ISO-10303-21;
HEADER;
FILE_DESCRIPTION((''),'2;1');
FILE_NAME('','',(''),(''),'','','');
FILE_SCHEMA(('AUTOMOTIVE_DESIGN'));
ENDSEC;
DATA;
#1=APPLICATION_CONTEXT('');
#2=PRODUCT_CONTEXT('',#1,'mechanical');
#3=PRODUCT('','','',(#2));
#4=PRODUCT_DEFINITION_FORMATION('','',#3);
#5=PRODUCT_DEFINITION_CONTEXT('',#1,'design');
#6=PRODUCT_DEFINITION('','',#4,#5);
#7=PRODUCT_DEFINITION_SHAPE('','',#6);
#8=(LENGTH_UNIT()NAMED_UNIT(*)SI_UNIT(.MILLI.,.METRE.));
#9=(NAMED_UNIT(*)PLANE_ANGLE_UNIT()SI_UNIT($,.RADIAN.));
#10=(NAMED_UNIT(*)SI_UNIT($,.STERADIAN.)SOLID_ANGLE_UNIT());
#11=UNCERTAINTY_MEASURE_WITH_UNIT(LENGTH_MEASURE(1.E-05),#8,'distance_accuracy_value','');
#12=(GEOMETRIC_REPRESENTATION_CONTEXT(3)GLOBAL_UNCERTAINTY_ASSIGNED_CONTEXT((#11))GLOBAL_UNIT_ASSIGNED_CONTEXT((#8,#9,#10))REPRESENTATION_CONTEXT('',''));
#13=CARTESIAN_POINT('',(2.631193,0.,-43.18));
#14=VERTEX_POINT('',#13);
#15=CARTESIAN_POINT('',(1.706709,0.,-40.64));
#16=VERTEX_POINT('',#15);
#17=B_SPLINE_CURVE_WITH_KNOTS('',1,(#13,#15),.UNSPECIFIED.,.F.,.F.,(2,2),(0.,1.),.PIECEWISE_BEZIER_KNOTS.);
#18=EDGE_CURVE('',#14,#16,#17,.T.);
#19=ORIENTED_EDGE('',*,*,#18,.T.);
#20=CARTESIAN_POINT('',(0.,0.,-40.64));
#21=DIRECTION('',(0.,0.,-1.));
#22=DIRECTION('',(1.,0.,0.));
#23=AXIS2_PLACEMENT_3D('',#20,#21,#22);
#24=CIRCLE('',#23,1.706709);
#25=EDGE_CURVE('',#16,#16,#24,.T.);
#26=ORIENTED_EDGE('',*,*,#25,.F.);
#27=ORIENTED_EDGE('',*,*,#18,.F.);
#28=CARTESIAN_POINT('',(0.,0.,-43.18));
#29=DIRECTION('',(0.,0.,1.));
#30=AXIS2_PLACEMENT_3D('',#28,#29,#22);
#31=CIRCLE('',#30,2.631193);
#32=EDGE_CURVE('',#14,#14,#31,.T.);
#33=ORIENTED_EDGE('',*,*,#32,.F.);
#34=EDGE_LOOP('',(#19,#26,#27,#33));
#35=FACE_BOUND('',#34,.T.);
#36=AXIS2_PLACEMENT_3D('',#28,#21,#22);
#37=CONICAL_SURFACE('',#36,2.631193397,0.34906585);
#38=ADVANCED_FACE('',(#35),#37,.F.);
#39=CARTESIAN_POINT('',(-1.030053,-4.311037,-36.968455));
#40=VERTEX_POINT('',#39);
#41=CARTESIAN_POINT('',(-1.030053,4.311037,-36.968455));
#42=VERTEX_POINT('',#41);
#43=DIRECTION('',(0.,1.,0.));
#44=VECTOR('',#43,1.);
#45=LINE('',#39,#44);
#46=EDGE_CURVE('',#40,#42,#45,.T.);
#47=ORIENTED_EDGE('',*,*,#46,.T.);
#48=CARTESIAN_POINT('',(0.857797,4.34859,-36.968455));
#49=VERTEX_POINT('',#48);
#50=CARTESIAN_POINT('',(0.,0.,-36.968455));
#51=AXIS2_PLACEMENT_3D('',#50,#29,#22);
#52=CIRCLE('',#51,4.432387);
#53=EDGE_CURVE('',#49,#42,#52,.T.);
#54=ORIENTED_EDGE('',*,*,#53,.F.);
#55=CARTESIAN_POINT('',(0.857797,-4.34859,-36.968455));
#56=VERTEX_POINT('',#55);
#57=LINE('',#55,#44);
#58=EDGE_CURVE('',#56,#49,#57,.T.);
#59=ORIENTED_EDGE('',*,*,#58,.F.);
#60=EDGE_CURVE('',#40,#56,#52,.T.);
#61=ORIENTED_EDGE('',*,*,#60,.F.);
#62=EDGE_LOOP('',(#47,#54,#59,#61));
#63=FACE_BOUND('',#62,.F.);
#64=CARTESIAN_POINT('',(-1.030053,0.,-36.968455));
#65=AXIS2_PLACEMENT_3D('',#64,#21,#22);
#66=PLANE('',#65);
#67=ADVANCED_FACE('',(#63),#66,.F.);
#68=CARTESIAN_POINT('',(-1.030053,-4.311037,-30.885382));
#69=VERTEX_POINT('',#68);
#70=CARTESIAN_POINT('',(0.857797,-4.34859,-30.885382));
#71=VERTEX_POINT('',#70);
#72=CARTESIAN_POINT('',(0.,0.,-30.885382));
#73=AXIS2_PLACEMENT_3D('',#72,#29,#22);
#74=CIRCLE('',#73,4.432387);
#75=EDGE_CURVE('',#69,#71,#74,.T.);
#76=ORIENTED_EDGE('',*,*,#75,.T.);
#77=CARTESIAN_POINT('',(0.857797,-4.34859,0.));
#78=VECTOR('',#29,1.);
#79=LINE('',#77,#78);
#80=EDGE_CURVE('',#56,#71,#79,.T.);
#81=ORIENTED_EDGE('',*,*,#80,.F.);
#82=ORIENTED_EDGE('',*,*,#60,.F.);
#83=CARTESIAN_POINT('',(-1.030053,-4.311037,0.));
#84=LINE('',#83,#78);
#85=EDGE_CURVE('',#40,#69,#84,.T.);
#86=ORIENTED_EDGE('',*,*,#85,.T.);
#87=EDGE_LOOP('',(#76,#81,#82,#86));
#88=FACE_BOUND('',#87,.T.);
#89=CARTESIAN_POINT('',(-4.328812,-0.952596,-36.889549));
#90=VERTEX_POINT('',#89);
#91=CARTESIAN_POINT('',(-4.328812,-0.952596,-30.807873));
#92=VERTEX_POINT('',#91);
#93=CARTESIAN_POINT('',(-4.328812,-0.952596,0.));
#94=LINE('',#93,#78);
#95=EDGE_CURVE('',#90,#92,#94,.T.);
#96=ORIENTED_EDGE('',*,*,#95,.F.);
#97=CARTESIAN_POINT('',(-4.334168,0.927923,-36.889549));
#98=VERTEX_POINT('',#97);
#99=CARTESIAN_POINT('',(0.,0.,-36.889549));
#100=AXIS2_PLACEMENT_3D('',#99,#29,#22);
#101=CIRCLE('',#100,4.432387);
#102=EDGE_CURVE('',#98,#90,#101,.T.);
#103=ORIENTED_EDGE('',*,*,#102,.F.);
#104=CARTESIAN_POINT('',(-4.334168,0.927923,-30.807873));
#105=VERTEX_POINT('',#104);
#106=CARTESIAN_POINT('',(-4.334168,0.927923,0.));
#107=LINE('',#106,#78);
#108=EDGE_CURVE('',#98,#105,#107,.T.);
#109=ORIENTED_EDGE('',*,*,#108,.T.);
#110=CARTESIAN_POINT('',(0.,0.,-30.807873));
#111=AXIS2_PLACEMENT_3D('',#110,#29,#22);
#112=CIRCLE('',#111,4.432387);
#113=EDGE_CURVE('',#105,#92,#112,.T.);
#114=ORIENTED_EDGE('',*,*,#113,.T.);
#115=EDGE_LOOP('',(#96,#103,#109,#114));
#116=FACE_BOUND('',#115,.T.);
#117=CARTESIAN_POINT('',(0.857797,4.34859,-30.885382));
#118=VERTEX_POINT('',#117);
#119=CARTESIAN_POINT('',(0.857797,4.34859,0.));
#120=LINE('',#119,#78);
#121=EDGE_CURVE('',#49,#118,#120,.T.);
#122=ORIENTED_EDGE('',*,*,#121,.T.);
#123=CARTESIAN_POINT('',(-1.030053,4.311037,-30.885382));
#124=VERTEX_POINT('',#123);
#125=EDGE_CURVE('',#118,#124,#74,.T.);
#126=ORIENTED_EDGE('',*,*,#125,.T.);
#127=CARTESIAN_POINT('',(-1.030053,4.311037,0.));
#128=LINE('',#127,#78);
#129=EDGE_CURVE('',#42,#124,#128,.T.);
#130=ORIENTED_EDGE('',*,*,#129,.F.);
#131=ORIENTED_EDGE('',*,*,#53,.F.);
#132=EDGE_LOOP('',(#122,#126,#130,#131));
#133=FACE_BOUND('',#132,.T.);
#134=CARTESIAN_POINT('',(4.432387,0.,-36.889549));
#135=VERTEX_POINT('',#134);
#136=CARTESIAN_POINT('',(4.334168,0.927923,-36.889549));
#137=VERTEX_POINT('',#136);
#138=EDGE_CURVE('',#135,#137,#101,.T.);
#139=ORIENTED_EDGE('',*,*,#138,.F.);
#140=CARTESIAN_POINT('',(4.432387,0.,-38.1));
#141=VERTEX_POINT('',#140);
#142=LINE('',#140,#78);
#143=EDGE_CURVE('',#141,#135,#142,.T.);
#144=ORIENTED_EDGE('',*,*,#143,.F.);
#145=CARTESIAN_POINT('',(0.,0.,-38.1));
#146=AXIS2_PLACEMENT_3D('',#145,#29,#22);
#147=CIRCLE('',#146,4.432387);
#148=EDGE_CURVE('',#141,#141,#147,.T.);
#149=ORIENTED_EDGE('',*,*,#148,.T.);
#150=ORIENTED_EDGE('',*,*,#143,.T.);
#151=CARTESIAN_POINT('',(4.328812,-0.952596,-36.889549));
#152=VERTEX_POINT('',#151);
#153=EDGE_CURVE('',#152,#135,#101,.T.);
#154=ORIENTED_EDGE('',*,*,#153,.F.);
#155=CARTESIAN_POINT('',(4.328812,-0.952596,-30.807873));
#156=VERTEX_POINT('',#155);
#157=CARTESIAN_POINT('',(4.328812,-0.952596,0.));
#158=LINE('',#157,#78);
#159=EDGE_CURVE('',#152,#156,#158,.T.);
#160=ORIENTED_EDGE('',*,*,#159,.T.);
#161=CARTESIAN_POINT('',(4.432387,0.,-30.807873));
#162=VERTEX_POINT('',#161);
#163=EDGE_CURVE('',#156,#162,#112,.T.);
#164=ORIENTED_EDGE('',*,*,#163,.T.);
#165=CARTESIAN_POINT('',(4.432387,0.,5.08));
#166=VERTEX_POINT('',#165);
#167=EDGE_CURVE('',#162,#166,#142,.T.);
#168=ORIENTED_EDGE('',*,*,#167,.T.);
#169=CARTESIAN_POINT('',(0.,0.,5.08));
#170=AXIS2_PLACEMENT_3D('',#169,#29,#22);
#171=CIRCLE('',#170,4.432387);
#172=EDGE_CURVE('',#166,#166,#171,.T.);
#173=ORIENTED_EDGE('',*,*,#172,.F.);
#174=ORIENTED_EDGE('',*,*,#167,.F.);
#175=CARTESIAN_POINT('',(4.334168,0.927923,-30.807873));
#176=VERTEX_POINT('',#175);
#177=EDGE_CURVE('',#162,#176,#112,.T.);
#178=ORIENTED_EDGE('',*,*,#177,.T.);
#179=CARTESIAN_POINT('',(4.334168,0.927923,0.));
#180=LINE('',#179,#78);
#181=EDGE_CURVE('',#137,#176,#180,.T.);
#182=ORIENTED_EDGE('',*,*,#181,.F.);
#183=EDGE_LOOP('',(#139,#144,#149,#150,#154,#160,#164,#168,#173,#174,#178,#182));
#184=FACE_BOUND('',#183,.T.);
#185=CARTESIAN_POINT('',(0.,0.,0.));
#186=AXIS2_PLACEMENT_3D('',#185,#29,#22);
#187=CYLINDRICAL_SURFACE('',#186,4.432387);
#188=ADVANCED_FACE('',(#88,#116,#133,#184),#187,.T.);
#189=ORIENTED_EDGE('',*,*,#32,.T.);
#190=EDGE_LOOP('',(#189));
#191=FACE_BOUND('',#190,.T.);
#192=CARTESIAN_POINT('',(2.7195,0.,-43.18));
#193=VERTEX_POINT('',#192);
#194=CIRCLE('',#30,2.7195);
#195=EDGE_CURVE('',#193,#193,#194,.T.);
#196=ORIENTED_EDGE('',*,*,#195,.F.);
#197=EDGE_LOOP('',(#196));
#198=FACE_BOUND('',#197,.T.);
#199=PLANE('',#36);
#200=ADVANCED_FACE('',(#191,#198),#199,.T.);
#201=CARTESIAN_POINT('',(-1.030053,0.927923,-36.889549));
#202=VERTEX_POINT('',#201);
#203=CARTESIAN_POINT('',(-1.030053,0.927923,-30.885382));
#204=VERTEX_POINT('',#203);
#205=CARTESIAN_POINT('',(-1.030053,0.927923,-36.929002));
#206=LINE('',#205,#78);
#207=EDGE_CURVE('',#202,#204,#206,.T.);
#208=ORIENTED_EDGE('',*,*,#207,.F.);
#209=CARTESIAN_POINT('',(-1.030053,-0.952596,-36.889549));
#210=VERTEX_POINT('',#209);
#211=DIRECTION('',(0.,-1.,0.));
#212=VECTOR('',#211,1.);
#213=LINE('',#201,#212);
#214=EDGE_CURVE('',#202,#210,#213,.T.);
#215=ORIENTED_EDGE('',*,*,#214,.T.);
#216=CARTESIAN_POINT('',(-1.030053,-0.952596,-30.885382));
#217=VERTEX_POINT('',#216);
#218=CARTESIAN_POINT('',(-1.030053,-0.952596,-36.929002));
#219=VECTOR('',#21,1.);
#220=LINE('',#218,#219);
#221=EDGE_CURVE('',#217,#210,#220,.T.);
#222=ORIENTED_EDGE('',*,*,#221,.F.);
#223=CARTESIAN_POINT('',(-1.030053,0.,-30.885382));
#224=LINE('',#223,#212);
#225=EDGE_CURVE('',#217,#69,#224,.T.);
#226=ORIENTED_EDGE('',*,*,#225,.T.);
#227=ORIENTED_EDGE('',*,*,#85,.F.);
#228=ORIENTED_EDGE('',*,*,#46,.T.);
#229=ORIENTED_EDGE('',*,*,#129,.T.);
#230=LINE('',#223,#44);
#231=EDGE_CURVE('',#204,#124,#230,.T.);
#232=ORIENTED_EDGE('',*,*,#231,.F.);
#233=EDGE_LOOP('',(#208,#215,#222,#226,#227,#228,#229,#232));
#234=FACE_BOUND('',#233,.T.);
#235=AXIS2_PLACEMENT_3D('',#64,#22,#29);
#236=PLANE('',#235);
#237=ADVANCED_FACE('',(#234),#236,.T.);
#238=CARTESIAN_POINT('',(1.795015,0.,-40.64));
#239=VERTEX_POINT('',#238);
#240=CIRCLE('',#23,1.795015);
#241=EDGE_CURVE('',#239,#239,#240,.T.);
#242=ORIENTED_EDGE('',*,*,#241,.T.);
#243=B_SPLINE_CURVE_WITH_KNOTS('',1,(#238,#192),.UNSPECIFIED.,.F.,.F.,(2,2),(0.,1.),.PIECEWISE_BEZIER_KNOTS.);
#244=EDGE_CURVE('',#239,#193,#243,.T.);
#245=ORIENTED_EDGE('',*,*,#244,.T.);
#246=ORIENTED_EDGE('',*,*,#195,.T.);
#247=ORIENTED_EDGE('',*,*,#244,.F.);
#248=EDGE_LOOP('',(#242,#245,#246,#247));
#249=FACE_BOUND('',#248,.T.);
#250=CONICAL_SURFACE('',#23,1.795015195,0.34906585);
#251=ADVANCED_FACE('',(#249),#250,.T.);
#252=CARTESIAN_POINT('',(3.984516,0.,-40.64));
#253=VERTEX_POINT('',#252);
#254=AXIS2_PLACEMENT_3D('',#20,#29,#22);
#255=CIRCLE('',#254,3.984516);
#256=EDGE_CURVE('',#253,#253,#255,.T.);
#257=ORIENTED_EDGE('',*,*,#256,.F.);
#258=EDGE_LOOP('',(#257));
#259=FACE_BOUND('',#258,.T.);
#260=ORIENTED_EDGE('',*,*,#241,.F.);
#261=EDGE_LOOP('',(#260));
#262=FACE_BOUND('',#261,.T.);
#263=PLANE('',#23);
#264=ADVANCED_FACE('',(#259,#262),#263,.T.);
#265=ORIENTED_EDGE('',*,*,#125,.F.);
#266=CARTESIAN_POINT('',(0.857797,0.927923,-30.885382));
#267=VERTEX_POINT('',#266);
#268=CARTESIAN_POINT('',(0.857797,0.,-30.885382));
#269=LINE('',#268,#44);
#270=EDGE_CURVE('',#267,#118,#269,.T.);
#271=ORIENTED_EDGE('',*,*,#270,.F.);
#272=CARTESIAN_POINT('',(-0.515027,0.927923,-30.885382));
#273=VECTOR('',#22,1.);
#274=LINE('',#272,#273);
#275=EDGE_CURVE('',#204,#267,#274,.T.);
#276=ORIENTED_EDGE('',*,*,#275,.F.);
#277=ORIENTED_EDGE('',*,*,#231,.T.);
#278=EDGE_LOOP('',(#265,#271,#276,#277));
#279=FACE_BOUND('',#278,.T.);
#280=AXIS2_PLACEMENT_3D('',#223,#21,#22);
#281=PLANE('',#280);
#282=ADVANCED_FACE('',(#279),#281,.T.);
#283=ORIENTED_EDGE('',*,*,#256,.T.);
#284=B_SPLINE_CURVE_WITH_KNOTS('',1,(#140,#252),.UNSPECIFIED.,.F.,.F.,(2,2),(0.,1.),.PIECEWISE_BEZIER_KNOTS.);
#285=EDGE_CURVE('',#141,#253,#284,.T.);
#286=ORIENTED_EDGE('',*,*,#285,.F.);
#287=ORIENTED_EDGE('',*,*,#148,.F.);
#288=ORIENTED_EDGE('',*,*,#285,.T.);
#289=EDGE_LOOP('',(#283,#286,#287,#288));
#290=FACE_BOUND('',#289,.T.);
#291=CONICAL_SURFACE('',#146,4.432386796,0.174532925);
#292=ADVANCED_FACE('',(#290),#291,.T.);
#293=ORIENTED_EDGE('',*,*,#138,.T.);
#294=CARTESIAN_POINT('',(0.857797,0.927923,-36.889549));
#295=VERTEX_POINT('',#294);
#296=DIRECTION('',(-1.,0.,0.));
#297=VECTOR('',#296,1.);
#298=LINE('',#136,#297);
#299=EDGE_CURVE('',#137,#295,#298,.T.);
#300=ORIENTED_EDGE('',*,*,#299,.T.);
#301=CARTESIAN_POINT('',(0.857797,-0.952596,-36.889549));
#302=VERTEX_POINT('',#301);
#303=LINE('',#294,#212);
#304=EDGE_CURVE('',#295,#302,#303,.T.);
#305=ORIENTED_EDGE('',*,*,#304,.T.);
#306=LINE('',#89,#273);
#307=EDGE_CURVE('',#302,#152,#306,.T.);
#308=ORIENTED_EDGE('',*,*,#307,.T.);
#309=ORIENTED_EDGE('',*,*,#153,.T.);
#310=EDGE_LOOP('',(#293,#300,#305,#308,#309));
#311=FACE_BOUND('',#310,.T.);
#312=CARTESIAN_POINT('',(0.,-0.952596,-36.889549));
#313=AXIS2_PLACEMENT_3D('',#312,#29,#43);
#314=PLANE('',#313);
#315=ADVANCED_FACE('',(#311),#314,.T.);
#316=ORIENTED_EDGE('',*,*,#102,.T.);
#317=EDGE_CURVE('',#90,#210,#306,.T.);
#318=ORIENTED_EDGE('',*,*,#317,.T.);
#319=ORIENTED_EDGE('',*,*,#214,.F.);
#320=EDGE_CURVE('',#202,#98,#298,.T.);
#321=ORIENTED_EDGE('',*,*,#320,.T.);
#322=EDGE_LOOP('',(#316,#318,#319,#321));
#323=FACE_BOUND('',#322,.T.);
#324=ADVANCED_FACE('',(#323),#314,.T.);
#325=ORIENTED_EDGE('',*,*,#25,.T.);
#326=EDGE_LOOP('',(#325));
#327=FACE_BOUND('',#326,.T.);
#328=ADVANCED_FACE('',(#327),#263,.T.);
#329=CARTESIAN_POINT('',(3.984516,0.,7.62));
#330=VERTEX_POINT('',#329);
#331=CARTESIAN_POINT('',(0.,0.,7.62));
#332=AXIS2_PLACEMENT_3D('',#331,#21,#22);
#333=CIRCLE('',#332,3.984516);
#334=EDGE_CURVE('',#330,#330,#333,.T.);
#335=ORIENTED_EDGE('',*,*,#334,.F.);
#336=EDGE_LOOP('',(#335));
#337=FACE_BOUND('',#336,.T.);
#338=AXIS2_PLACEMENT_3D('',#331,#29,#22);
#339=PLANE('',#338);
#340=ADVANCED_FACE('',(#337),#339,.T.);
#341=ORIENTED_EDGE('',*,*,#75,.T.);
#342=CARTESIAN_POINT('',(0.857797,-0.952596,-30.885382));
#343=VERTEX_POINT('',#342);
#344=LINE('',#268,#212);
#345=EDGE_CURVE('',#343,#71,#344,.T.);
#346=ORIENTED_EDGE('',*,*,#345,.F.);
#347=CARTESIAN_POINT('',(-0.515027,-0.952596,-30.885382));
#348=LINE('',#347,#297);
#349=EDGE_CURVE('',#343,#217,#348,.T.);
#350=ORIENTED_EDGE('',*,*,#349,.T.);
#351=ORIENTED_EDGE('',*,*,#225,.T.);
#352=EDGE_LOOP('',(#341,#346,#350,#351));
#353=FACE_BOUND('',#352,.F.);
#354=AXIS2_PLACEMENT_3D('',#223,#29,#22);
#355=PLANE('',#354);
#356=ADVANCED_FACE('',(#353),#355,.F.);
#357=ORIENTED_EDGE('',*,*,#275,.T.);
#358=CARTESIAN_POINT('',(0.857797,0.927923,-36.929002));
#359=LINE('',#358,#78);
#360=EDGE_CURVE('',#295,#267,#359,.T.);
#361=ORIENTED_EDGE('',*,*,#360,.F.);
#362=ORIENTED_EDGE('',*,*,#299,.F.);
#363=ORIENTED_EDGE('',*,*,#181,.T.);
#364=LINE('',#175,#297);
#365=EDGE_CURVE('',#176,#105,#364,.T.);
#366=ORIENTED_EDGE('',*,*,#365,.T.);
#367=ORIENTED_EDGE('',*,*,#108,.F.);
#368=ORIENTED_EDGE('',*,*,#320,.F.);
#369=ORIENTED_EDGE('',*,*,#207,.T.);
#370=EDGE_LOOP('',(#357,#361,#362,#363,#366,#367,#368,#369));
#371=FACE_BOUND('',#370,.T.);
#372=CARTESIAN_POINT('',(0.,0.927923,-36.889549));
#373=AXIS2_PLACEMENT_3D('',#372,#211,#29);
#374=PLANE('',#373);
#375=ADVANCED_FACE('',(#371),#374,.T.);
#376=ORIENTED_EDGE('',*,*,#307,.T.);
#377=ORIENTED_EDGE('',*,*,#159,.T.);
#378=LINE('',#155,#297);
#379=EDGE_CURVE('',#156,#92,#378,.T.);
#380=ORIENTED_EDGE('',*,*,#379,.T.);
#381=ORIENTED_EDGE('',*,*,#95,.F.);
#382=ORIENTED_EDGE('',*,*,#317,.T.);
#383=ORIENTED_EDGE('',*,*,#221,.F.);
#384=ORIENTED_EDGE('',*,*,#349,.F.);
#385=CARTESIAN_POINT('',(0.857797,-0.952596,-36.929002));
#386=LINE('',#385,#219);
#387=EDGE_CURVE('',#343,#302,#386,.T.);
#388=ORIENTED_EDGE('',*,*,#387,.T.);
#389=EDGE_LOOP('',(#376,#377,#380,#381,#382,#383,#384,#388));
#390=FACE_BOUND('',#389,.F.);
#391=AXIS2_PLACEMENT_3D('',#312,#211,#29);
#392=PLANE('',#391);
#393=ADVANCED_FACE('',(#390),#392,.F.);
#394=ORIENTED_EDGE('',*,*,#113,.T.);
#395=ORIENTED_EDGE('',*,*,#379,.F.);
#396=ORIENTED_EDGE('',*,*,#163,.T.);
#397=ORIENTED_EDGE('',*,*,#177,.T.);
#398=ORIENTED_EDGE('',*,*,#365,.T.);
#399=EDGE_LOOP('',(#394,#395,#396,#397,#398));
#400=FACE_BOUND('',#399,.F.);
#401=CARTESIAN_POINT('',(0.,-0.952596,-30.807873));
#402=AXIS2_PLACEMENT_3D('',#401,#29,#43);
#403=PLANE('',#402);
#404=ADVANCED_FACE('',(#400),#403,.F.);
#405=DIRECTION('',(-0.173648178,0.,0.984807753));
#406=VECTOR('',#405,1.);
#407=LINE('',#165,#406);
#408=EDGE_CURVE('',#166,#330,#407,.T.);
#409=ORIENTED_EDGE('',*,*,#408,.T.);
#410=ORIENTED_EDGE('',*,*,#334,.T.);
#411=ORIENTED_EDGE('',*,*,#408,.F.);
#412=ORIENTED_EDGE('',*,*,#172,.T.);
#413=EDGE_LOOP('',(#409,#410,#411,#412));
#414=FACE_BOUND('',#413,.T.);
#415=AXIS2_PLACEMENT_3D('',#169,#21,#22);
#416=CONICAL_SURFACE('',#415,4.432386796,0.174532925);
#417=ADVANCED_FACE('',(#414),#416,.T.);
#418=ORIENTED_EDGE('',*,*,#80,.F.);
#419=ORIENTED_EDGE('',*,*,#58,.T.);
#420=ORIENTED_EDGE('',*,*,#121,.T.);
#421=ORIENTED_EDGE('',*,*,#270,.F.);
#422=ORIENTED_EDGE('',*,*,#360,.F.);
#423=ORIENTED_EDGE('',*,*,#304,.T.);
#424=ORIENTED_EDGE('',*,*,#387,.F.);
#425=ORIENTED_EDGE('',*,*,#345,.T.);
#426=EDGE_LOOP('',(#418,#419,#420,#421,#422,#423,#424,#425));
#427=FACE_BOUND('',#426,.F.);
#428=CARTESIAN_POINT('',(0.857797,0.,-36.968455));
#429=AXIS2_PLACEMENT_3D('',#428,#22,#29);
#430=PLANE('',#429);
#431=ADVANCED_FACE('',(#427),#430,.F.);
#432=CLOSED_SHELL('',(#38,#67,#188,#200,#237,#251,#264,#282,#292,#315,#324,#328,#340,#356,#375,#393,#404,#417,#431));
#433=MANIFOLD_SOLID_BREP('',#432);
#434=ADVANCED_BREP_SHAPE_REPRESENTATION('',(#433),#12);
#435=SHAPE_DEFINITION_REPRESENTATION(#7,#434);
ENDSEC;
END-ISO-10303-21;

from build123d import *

# Parameters (mm, degrees)
F0_R           = 4.4323867957
F1_DEPTH       = 5.08
F1_DEPTH_BACK  = 38.1
F1_FACE_R      = 4.4323867957
F2_DEPTH       = 2.54
F2_TAPER       = 10
F1_FACE1_R     = 4.4323867957
F3_DEPTH       = 2.54
F3_TAPER       = 10
F4_R           = 1.7950151947
F5_DEPTH       = 2.54
F5_TAPER       = -20
F6_R           = 2.6311933972
F7_DEPTH       = 2.54
F7_TAPER       = 20
F8_W           = 1.8805181608
F8_H           = 6.0816761106
F9_DEPTH       = 25.4
F9_DEPTH_BACK  = 25.4
F10_W          = 1.8878498813
F10_H          = 6.0830730945
F11_DEPTH      = 25.4
F11_DEPTH_BACK = 25.4


with BuildPart() as f1:
    # F0 (on Top) → F1 (new body, two sides)
    with BuildSketch(Plane.XY) as f1_sk:
        Circle(F0_R)
    extrude(amount=F1_DEPTH)
    extrude(f1_sk.sketch, amount=-F1_DEPTH_BACK)

    # F1_face (on face) → F2 (join)
    with BuildSketch(Plane(origin=(0, 0, -38.1), x_dir=(1, 0, 0), z_dir=(0, 0, -1))):
        Circle(F1_FACE_R)
    extrude(amount=F2_DEPTH, taper=F2_TAPER)

    # F1_face1 (on face) → F3 (join)
    with BuildSketch(Plane.XY.offset(5.08)):
        Circle(F1_FACE1_R)
    extrude(amount=F3_DEPTH, taper=F3_TAPER)

    # F4 (on face) → F5 (join)
    with BuildSketch(Plane(origin=(0, 0, -40.64), x_dir=(1, 0, 0), z_dir=(0, 0, -1))):
        Circle(F4_R)
    extrude(amount=F5_DEPTH, taper=F5_TAPER)

    # F6 (on face) → F7 (cut)
    with BuildSketch(Plane(origin=(0, 0, -43.18), x_dir=(1, 0, 0), z_dir=(0, 0, -1))):
        Circle(F6_R)
    extrude(amount=-F7_DEPTH, taper=F7_TAPER, mode=Mode.SUBTRACT)

    # F8 (on Right) → F9 (cut, two sides)
    with BuildSketch(Plane.YZ) as f9_sk:
        with Locations((-0.0123365317, -33.8487112895)):
            Rectangle(F8_W, F8_H)
    extrude(amount=-F9_DEPTH, mode=Mode.SUBTRACT)
    extrude(f9_sk.sketch, amount=F9_DEPTH_BACK, mode=Mode.SUBTRACT)

    # F10 (on Front) → F11 (cut, two sides)
    with BuildSketch(Plane.XZ) as f11_sk:
        with Locations((-0.0861281878, -33.9269181713)):
            Rectangle(F10_W, F10_H)
    extrude(amount=-F11_DEPTH, mode=Mode.SUBTRACT)
    extrude(f11_sk.sketch, amount=F11_DEPTH_BACK, mode=Mode.SUBTRACT)


solid = f1.part
